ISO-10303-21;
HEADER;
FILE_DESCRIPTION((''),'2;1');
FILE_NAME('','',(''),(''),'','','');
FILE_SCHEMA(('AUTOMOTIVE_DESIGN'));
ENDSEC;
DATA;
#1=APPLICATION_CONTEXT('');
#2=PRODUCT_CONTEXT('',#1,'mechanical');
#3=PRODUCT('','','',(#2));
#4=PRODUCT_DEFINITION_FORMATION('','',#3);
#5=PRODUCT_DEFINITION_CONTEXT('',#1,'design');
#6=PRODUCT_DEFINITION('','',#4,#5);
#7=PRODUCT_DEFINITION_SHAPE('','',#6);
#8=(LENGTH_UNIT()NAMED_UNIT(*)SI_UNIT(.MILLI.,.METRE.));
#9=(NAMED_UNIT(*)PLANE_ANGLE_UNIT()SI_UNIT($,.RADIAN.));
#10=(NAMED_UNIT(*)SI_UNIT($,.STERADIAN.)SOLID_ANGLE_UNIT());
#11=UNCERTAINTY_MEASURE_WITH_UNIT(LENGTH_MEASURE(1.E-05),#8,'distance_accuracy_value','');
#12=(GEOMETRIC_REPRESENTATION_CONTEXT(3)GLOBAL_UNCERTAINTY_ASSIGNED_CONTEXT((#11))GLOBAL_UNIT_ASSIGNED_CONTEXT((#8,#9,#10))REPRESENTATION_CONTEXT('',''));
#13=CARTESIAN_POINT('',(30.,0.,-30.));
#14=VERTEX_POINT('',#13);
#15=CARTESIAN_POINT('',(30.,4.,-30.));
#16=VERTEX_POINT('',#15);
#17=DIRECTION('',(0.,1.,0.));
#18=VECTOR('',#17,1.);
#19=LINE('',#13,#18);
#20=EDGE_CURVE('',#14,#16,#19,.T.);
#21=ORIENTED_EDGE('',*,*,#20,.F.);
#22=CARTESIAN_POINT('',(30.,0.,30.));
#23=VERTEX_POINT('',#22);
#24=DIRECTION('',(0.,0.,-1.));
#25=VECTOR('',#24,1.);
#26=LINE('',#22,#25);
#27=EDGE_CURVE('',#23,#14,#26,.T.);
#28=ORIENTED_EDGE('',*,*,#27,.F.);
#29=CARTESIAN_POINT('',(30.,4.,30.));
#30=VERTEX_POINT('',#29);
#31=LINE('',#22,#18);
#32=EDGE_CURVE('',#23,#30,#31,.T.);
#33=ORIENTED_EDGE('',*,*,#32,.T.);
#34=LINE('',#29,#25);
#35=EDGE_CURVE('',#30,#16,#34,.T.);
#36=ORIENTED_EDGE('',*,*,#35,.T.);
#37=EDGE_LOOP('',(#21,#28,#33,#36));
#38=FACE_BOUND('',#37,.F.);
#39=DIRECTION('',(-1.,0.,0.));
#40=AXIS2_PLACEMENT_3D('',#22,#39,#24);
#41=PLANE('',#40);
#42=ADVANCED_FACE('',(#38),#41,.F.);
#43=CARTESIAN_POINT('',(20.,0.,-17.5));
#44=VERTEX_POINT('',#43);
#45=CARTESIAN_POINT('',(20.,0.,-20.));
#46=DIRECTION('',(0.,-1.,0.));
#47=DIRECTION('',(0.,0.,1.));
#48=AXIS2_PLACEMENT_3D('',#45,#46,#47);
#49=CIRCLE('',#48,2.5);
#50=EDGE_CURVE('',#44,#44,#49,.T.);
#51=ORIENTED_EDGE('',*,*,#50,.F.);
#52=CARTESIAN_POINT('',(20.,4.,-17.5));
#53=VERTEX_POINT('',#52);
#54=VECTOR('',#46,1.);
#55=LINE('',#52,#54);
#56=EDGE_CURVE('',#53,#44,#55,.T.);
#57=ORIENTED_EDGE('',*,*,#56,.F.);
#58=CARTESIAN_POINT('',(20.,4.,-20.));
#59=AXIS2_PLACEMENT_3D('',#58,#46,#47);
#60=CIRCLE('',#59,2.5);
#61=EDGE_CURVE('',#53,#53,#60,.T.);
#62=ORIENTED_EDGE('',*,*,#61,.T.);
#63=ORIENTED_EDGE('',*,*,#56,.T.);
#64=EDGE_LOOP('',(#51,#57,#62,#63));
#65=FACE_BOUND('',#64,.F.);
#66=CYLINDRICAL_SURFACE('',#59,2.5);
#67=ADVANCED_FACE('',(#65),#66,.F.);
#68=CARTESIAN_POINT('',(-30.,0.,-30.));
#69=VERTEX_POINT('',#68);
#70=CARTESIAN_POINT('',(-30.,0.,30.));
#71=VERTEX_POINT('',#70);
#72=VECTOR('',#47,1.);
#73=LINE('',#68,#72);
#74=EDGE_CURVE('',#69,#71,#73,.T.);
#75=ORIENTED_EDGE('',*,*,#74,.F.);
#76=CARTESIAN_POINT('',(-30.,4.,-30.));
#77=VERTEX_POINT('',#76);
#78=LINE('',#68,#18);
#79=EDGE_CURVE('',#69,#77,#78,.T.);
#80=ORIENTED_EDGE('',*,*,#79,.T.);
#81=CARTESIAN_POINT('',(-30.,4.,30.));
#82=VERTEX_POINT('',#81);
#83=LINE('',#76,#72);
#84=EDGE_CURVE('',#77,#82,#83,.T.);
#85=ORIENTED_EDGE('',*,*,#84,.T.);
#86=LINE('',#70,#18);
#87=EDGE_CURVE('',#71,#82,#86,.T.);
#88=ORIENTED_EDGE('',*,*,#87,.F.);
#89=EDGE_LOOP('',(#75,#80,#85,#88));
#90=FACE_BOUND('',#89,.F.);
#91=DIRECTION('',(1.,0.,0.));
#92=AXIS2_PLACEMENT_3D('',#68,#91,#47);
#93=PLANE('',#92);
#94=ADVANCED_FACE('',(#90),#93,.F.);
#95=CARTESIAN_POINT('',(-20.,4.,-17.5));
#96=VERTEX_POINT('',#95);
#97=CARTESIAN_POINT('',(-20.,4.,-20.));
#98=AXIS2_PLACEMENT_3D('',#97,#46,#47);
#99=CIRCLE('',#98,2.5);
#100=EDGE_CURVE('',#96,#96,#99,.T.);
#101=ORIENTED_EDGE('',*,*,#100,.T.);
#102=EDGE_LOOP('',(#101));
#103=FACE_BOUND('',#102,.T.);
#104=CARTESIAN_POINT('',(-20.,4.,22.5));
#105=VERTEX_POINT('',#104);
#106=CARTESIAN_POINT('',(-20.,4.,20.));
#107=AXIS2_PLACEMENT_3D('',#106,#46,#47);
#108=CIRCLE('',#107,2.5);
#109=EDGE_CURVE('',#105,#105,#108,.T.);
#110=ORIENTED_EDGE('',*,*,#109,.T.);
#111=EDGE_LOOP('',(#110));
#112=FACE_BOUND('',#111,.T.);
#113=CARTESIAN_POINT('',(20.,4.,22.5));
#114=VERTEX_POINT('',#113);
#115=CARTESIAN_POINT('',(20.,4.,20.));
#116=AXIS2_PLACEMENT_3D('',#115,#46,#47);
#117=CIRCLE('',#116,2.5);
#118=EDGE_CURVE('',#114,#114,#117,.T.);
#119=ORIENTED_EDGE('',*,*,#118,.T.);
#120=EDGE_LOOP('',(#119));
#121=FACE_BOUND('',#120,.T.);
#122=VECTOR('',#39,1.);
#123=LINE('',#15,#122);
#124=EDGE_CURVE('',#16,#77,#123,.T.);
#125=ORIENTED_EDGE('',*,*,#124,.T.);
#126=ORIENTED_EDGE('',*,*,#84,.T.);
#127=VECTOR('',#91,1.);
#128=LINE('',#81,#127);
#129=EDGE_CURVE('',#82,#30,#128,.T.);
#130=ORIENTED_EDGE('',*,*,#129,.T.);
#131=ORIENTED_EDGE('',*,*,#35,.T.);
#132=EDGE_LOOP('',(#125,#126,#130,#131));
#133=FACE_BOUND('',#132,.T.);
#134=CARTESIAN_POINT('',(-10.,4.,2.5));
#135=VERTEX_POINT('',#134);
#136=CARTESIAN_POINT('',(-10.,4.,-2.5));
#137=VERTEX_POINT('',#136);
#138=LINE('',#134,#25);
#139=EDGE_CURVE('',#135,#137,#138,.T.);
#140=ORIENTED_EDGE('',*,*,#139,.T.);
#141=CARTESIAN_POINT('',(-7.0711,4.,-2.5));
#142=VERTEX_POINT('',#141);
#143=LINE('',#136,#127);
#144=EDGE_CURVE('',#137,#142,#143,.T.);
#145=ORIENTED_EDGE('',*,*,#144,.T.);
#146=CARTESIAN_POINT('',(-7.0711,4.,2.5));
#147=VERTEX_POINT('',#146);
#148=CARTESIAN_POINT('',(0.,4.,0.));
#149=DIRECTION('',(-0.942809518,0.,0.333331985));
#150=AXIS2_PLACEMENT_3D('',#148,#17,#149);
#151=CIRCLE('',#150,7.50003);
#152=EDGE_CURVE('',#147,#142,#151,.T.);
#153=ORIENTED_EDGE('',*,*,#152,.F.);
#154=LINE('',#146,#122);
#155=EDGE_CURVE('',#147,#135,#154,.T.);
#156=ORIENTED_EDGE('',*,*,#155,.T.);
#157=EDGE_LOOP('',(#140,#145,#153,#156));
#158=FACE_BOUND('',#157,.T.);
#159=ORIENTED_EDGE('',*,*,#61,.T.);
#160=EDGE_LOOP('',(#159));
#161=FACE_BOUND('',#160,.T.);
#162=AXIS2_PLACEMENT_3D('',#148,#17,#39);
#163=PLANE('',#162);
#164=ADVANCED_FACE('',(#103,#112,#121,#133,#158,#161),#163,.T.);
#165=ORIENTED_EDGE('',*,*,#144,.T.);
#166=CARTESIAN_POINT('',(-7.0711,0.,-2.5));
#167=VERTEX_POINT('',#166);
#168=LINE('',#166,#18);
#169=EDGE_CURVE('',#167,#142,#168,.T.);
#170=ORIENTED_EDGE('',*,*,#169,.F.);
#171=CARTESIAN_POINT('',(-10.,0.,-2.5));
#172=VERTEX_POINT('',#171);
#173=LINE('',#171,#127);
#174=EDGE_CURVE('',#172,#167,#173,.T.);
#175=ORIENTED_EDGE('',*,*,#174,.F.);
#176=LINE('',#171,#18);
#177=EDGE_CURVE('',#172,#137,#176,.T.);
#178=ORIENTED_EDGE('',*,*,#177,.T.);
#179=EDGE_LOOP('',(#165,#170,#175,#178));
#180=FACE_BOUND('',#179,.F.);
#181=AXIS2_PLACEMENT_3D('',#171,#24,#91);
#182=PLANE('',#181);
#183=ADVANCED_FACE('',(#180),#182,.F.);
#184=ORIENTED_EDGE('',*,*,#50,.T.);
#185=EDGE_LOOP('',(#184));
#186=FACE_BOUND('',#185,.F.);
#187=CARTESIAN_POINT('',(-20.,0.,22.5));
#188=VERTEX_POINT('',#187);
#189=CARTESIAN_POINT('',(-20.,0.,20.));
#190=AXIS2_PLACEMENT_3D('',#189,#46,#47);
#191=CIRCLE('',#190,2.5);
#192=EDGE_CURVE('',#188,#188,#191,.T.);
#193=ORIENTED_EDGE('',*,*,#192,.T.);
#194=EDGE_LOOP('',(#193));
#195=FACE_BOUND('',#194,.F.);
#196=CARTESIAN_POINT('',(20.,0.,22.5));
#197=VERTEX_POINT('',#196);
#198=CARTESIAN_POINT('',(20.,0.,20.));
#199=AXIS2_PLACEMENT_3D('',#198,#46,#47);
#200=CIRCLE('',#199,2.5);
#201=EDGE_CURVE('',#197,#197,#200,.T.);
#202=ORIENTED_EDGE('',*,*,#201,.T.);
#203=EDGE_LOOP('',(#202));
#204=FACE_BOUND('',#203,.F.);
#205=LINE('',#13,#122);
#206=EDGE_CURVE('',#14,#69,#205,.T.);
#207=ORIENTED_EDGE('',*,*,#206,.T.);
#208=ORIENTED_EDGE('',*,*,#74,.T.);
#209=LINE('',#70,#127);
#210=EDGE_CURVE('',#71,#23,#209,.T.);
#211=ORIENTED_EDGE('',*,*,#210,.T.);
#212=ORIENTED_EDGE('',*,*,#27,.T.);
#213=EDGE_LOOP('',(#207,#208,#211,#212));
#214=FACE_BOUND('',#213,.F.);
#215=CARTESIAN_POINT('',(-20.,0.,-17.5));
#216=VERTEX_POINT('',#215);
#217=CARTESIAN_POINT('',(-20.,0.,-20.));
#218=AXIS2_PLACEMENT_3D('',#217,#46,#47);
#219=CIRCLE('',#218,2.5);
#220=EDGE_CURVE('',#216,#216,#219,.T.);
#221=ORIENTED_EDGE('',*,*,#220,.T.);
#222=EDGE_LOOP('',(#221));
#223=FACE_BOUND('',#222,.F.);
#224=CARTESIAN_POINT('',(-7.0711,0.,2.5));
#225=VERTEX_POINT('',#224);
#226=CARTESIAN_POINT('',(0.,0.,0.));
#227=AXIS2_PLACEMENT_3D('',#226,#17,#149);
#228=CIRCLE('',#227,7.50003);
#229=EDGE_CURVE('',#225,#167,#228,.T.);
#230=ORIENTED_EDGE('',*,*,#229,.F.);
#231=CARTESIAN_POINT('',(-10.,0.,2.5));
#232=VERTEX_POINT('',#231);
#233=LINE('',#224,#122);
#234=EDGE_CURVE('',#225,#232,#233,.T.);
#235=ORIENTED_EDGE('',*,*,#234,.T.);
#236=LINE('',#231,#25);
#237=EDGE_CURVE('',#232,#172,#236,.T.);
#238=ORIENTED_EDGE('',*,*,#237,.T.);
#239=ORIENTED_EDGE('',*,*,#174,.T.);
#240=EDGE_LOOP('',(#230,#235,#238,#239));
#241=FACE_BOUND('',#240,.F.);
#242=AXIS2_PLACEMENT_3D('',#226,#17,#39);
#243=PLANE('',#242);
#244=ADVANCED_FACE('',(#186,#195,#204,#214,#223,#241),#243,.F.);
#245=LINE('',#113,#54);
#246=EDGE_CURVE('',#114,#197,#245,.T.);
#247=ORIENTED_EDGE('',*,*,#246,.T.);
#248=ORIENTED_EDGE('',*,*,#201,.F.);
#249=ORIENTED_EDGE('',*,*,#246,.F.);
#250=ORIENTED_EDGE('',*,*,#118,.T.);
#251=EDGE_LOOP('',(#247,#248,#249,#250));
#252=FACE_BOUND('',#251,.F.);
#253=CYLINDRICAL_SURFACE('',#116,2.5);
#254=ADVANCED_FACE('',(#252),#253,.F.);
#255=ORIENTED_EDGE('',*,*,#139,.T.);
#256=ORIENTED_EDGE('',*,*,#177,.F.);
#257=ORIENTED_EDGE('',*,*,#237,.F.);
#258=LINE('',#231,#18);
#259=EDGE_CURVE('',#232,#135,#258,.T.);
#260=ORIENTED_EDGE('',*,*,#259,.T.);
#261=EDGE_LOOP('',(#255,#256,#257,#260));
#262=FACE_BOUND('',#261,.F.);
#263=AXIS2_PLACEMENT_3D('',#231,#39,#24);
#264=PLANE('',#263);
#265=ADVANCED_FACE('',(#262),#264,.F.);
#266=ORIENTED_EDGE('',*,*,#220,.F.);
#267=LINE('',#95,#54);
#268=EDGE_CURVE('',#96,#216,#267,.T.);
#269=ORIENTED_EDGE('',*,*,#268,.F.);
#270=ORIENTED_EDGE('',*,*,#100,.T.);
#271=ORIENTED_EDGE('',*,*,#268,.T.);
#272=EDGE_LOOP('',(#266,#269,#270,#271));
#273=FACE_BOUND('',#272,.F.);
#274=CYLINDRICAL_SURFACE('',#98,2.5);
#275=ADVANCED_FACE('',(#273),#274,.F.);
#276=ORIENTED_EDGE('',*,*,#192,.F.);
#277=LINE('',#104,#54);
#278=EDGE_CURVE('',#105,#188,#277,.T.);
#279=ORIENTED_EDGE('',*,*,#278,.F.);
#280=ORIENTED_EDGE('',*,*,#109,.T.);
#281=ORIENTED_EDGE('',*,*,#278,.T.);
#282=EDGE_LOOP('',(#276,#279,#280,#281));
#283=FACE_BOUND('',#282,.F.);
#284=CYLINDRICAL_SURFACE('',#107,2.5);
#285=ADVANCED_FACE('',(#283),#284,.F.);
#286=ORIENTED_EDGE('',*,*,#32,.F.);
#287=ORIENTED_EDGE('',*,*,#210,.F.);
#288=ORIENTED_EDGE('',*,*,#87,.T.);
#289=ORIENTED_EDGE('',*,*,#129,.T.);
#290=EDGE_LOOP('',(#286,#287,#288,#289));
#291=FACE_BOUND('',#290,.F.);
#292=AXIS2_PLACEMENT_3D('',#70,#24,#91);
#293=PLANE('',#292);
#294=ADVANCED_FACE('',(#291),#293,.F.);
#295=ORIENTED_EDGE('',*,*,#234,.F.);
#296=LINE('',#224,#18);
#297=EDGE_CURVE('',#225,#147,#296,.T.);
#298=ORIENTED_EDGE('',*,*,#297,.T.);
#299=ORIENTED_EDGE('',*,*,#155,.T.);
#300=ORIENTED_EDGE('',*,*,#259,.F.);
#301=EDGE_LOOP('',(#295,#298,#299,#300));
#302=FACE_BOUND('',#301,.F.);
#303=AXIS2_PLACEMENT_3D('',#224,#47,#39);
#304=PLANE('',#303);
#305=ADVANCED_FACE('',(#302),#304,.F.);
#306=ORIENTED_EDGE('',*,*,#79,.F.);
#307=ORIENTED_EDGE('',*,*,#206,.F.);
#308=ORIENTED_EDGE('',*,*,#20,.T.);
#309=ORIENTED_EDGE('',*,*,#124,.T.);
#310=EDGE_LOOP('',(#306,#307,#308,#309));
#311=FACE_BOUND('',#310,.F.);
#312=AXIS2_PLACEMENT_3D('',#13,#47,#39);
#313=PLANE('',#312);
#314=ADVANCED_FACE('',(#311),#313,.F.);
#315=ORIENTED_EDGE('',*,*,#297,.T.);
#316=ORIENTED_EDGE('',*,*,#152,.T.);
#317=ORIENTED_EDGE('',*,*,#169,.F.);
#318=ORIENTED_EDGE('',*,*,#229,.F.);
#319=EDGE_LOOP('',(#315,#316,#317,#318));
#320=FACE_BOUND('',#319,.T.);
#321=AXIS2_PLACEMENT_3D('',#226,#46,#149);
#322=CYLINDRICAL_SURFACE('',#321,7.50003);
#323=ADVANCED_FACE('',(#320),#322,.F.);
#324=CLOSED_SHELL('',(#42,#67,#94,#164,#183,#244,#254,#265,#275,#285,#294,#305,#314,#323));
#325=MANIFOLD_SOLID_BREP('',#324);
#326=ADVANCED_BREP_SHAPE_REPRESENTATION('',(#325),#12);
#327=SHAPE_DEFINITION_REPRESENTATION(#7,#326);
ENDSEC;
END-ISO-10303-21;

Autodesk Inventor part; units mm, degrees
ref_plane "YZ Plane" through (0, 0, 0) normal (1, 0, 0) x (0, 1, 0)
ref_plane "XZ Plane" through (0, 0, 0) normal (0, 1, 0) x (-1, 0, 0)
ref_plane "XY Plane" through (0, 0, 0) normal (0, 0, 1) x (1, 0, 0)
sketch "Sketch1" plane through (0, 0, 0) normal (0, 1, 0) x (-1, 0, 0)
  line L0 (0, 11.1111) -> (0, -11.1111) construction
  line L1 (-5.5895, 0) -> (5.5895, 0) construction
  line L2 (30, 30) -> (-30, 30)
  line L3 (-30, 30) -> (-30, -30)
  line L4 (-30, -30) -> (30, -30)
  line L5 (30, -30) -> (30, 30)
  arc A0 (7.0711, 2.5) -> (7.0711, -2.5) centre (0, 0) ccw
  line L6 (7.0711, 2.5) -> (10, 2.5)
  line L7 (10, 2.5) -> (10, -2.5)
  line L8 (10, -2.5) -> (7.0711, -2.5)
  dimension "d0" = 60
  dimension "d1" = 15
  dimension "d2" = 5
  dimension "d4" = 10
extrude "Extrusion1" add sketch "Sketch1" along normal blind 4
sketch "Sketch2" plane through (0, 4, 0) normal (0, 1, 0) x (1, 0, 0)
  line L0 (-30, -30) -> (30, -30) projected
  line L1 (30, -30) -> (30, 30) projected
  line L2 (30, 30) -> (-30, 30) projected
  line L3 (-30, 30) -> (-30, -30) projected
  point P0 (0, 0)
  point P1 (-20, -20)
  point P2 (20, -20)
  point P3 (20, 20)
  point P4 (-20, 20)
  dimension "d7" = 10
  dimension "d8" = 10
  dimension "d9" = 10
  dimension "d10" = 10
hole "Hole1" at (-20, 4, 20) at (20, 4, 20) at (20, 4, -20) at (-20, 4, -20) direction (0, -1, 0) diameter 5 end through all
properties part number "FlanschV1"
